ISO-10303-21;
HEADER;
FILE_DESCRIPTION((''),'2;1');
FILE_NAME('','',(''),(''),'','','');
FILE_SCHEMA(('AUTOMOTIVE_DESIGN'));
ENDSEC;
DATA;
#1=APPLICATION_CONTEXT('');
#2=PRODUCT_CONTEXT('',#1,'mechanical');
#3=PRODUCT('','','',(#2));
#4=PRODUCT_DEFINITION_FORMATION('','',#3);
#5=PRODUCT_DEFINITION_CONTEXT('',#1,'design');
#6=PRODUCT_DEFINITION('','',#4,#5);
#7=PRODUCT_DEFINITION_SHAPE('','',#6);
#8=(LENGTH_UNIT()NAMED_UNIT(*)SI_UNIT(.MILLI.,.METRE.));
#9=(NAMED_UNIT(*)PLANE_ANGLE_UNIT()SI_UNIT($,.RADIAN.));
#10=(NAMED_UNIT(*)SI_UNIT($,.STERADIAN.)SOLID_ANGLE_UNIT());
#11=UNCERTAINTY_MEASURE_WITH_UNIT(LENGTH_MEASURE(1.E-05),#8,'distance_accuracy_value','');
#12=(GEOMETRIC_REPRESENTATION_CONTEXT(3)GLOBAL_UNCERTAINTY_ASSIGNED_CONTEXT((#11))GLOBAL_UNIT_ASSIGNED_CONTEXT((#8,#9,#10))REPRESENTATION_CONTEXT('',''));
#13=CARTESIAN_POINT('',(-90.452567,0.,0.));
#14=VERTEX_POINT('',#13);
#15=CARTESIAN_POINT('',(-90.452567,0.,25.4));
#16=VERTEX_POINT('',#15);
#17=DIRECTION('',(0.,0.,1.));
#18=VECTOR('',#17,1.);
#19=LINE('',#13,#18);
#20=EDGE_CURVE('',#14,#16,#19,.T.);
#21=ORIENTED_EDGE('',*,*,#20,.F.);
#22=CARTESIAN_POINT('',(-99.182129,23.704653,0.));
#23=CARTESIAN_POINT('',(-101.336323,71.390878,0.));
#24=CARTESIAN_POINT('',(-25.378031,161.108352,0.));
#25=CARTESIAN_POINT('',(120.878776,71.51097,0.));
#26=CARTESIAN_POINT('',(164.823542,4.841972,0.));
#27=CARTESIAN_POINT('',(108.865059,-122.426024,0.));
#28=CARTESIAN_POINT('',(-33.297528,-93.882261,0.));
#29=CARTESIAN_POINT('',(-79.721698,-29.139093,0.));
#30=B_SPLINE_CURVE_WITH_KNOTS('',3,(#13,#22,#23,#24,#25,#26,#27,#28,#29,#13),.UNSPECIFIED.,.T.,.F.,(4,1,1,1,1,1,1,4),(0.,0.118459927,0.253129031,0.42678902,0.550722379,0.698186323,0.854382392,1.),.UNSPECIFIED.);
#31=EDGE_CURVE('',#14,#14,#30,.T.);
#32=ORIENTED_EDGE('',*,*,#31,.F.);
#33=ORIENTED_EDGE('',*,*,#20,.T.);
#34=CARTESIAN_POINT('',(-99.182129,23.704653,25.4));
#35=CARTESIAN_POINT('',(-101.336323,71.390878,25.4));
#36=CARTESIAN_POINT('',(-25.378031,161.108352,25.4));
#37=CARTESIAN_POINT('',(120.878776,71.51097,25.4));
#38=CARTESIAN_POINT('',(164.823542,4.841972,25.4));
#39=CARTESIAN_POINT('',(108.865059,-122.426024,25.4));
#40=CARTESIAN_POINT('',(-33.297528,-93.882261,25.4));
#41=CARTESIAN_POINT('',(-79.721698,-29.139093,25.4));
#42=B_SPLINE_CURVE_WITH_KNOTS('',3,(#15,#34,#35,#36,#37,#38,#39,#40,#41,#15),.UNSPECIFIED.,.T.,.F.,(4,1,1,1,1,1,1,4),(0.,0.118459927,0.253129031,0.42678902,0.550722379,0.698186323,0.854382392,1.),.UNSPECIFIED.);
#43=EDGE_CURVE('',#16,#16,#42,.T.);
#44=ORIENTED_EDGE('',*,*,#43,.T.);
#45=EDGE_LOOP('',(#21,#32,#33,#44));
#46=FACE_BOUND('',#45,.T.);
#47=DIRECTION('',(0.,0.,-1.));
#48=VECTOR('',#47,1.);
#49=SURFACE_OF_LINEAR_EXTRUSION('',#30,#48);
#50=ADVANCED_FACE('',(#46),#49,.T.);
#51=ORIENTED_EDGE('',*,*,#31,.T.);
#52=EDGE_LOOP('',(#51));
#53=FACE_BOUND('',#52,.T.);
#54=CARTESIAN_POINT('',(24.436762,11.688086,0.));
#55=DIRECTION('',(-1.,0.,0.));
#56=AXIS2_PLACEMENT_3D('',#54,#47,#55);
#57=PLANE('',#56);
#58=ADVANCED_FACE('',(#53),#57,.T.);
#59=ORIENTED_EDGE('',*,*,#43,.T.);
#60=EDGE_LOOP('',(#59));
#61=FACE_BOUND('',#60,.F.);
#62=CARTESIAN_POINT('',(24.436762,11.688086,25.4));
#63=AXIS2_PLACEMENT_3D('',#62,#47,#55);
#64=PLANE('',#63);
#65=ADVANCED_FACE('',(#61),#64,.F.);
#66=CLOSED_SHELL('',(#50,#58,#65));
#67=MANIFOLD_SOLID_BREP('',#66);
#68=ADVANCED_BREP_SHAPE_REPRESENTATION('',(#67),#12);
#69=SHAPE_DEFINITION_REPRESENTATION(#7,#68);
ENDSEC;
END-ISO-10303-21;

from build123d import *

# Parameters (mm, degrees)
F1_DEPTH = 25.4


with BuildPart() as f1:
    # F0 (on Top) → F1 (new body)
    with BuildSketch(Plane.XY):
        with BuildLine():
            add(Edge.make_bspline(
                [(-90.4525667429, 0), (-99.1821290579, 23.7046525235), (-101.3363228149, 71.3908779532), (-25.3780311482, 161.1083518765), (120.8787758115, 71.5109702201), (164.8235417319, 4.8419719331), (108.8650587287, -122.4260241424), (-33.2975280196, -93.8822613163), (-79.721697517, -29.1390927856), (-90.4525667429, 0)],
                knots=[0, 0, 0, 0, 0.1184599267, 0.2531290309, 0.4267890201, 0.5507223788, 0.6981863233, 0.8543823922, 1, 1, 1, 1], degree=3))
        make_face()
    extrude(amount=F1_DEPTH)


solid = f1.part
